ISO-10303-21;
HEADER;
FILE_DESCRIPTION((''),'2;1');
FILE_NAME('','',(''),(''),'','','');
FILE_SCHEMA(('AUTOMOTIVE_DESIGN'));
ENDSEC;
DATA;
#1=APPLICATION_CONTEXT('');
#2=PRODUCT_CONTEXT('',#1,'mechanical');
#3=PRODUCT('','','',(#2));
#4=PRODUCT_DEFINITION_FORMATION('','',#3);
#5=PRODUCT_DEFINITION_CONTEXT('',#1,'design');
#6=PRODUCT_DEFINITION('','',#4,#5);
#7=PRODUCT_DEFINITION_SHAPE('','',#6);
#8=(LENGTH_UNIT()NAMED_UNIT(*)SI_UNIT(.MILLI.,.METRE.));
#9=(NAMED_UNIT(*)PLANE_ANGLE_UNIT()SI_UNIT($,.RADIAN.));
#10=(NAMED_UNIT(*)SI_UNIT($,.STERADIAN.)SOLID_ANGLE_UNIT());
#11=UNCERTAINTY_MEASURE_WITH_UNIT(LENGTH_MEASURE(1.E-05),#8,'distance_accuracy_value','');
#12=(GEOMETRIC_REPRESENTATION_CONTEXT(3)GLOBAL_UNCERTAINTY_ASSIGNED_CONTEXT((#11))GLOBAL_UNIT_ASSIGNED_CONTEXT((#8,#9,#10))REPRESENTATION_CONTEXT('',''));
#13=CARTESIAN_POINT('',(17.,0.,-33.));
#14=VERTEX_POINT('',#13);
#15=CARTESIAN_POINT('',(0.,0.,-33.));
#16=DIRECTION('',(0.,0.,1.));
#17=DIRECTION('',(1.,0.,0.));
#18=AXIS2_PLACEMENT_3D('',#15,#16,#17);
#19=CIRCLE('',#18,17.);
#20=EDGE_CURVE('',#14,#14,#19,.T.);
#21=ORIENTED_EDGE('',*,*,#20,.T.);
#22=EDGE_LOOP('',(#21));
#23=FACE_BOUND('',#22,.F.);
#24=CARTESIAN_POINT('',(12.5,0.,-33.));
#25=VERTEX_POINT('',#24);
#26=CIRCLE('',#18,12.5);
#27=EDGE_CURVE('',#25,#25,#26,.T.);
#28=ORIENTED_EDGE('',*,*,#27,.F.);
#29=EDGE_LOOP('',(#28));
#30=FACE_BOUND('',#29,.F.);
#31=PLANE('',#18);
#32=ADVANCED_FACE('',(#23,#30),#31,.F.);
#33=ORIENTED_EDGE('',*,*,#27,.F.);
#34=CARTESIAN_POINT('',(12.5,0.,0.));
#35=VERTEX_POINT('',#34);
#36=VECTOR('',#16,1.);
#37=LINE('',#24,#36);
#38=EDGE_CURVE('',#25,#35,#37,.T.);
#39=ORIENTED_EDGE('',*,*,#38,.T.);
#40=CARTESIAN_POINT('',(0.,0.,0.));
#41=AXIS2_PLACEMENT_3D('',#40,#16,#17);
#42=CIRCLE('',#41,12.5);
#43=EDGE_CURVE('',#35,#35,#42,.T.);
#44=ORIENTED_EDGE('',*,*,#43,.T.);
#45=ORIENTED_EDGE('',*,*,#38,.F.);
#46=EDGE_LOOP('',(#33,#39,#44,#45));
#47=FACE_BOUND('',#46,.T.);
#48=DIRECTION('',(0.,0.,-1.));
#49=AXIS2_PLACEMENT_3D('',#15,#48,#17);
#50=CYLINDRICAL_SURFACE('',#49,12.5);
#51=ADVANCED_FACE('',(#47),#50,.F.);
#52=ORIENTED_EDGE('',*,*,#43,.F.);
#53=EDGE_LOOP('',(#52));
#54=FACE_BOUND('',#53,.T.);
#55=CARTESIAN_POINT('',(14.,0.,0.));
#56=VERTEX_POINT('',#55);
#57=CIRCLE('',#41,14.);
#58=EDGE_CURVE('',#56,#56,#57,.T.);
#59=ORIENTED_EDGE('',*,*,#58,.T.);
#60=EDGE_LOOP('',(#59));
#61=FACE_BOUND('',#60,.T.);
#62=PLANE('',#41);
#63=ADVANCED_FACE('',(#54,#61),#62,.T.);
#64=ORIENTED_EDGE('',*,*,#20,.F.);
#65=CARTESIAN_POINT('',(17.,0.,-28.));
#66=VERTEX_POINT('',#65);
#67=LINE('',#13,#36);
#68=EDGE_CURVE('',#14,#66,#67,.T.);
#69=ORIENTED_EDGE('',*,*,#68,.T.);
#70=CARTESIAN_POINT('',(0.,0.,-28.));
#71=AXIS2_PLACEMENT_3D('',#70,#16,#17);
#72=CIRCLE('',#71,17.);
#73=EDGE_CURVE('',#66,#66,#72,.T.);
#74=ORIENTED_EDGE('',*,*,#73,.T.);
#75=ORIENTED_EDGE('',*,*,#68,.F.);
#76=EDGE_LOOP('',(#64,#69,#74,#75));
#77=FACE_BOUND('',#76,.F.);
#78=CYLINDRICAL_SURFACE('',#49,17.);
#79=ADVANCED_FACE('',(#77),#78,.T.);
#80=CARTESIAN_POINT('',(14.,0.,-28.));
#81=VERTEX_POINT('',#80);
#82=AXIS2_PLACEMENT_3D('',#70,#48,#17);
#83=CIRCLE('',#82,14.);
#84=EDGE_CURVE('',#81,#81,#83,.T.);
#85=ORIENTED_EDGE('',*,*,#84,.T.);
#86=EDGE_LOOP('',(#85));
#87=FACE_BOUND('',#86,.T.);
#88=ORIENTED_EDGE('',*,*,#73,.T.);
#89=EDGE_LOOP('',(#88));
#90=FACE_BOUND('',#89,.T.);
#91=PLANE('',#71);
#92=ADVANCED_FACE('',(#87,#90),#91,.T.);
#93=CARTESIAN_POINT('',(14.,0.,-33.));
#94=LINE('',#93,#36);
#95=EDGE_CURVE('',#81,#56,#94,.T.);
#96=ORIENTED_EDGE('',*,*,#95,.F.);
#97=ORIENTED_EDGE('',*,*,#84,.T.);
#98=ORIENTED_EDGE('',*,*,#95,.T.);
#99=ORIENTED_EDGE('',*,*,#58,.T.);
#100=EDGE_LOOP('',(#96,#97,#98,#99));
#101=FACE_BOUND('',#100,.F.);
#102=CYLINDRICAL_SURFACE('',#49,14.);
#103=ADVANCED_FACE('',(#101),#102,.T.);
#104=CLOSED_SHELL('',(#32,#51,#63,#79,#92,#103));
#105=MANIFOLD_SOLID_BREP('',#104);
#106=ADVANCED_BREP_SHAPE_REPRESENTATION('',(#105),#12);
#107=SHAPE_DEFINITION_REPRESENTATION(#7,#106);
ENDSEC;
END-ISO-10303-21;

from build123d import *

# Parameters (mm, degrees)
CYLINDER093_R     = 1.5
CYLINDER093_DEPTH = 14
CYLINDER090_R     = 12.5
CYLINDER090_DEPTH = 33
CYLINDER094_R     = 1.5
CYLINDER094_DEPTH = 14
CYLINDER088_R     = 14
CYLINDER088_DEPTH = 33
BOX016_W          = 1
BOX016_H          = 1
BOX016_DEPTH      = 1
CYLINDER084_R     = 17
CYLINDER084_DEPTH = 5


with BuildPart() as ftinsmount1:
    # Cylinder093 → Cylinder093 (new body)
    with BuildSketch(Plane(origin=(53.66, 148, -15), x_dir=(1, 0, 0), z_dir=(0, 0, 1))):
        Circle(CYLINDER093_R)
    extrude(amount=CYLINDER093_DEPTH)


with BuildPart() as ftinsinnerhole:
    # Cylinder090 → Cylinder090 (new body)
    with BuildSketch(Plane(origin=(73.66, 148, -10), x_dir=(1, 0, 0), z_dir=(0, 0, 1))):
        Circle(CYLINDER090_R)
    extrude(amount=CYLINDER090_DEPTH)


with BuildPart() as fusion039:
    # Cylinder094 → Cylinder094 (new body)
    with BuildSketch(Plane(origin=(93.66, 148, -14), x_dir=(1, 0, 0), z_dir=(0, 0, 1))):
        Circle(CYLINDER094_R)
    extrude(amount=CYLINDER094_DEPTH)

    # Fusion039: union FTInsMount1, FTInsInnerHole
    add(ftinsmount1.part)
    add(ftinsinnerhole.part)


with BuildPart() as feedthrough008:
    # Cylinder088 → Cylinder088 (new body)
    with BuildSketch(Plane(origin=(73.66, 148, -10), x_dir=(1, 0, 0), z_dir=(0, 0, 1))):
        Circle(CYLINDER088_R)
    extrude(amount=CYLINDER088_DEPTH)


with BuildPart() as ftinslug:
    # Box016 → Box016 (new body)
    with BuildSketch(Plane(origin=(63, 136, -8), x_dir=(1, 0, 0), z_dir=(0, 0, 1))):
        with Locations((0.5, 0.5)):
            Rectangle(BOX016_W, BOX016_H)
    extrude(amount=BOX016_DEPTH)


with BuildPart() as base_ftinsulator1:
    # Cylinder084 → Cylinder084 (new body)
    with BuildSketch(Plane(origin=(73.66, 148, -10), x_dir=(1, 0, 0), z_dir=(0, 0, 1))):
        Circle(CYLINDER084_R)
    extrude(amount=CYLINDER084_DEPTH)

    # Fusion038: union Feedthrough008, FTInsLug
    add(feedthrough008.part)
    add(ftinslug.part)

    # Cut010: cut Fusion039
    add(fusion039.part, mode=Mode.SUBTRACT)


with BuildPart() as base_ftinsulator1_1:
    # Cut010 placement: moved
    add(base_ftinsulator1.part.moved(Location((-73.66, -148, -23))))


solid = base_ftinsulator1_1.part
